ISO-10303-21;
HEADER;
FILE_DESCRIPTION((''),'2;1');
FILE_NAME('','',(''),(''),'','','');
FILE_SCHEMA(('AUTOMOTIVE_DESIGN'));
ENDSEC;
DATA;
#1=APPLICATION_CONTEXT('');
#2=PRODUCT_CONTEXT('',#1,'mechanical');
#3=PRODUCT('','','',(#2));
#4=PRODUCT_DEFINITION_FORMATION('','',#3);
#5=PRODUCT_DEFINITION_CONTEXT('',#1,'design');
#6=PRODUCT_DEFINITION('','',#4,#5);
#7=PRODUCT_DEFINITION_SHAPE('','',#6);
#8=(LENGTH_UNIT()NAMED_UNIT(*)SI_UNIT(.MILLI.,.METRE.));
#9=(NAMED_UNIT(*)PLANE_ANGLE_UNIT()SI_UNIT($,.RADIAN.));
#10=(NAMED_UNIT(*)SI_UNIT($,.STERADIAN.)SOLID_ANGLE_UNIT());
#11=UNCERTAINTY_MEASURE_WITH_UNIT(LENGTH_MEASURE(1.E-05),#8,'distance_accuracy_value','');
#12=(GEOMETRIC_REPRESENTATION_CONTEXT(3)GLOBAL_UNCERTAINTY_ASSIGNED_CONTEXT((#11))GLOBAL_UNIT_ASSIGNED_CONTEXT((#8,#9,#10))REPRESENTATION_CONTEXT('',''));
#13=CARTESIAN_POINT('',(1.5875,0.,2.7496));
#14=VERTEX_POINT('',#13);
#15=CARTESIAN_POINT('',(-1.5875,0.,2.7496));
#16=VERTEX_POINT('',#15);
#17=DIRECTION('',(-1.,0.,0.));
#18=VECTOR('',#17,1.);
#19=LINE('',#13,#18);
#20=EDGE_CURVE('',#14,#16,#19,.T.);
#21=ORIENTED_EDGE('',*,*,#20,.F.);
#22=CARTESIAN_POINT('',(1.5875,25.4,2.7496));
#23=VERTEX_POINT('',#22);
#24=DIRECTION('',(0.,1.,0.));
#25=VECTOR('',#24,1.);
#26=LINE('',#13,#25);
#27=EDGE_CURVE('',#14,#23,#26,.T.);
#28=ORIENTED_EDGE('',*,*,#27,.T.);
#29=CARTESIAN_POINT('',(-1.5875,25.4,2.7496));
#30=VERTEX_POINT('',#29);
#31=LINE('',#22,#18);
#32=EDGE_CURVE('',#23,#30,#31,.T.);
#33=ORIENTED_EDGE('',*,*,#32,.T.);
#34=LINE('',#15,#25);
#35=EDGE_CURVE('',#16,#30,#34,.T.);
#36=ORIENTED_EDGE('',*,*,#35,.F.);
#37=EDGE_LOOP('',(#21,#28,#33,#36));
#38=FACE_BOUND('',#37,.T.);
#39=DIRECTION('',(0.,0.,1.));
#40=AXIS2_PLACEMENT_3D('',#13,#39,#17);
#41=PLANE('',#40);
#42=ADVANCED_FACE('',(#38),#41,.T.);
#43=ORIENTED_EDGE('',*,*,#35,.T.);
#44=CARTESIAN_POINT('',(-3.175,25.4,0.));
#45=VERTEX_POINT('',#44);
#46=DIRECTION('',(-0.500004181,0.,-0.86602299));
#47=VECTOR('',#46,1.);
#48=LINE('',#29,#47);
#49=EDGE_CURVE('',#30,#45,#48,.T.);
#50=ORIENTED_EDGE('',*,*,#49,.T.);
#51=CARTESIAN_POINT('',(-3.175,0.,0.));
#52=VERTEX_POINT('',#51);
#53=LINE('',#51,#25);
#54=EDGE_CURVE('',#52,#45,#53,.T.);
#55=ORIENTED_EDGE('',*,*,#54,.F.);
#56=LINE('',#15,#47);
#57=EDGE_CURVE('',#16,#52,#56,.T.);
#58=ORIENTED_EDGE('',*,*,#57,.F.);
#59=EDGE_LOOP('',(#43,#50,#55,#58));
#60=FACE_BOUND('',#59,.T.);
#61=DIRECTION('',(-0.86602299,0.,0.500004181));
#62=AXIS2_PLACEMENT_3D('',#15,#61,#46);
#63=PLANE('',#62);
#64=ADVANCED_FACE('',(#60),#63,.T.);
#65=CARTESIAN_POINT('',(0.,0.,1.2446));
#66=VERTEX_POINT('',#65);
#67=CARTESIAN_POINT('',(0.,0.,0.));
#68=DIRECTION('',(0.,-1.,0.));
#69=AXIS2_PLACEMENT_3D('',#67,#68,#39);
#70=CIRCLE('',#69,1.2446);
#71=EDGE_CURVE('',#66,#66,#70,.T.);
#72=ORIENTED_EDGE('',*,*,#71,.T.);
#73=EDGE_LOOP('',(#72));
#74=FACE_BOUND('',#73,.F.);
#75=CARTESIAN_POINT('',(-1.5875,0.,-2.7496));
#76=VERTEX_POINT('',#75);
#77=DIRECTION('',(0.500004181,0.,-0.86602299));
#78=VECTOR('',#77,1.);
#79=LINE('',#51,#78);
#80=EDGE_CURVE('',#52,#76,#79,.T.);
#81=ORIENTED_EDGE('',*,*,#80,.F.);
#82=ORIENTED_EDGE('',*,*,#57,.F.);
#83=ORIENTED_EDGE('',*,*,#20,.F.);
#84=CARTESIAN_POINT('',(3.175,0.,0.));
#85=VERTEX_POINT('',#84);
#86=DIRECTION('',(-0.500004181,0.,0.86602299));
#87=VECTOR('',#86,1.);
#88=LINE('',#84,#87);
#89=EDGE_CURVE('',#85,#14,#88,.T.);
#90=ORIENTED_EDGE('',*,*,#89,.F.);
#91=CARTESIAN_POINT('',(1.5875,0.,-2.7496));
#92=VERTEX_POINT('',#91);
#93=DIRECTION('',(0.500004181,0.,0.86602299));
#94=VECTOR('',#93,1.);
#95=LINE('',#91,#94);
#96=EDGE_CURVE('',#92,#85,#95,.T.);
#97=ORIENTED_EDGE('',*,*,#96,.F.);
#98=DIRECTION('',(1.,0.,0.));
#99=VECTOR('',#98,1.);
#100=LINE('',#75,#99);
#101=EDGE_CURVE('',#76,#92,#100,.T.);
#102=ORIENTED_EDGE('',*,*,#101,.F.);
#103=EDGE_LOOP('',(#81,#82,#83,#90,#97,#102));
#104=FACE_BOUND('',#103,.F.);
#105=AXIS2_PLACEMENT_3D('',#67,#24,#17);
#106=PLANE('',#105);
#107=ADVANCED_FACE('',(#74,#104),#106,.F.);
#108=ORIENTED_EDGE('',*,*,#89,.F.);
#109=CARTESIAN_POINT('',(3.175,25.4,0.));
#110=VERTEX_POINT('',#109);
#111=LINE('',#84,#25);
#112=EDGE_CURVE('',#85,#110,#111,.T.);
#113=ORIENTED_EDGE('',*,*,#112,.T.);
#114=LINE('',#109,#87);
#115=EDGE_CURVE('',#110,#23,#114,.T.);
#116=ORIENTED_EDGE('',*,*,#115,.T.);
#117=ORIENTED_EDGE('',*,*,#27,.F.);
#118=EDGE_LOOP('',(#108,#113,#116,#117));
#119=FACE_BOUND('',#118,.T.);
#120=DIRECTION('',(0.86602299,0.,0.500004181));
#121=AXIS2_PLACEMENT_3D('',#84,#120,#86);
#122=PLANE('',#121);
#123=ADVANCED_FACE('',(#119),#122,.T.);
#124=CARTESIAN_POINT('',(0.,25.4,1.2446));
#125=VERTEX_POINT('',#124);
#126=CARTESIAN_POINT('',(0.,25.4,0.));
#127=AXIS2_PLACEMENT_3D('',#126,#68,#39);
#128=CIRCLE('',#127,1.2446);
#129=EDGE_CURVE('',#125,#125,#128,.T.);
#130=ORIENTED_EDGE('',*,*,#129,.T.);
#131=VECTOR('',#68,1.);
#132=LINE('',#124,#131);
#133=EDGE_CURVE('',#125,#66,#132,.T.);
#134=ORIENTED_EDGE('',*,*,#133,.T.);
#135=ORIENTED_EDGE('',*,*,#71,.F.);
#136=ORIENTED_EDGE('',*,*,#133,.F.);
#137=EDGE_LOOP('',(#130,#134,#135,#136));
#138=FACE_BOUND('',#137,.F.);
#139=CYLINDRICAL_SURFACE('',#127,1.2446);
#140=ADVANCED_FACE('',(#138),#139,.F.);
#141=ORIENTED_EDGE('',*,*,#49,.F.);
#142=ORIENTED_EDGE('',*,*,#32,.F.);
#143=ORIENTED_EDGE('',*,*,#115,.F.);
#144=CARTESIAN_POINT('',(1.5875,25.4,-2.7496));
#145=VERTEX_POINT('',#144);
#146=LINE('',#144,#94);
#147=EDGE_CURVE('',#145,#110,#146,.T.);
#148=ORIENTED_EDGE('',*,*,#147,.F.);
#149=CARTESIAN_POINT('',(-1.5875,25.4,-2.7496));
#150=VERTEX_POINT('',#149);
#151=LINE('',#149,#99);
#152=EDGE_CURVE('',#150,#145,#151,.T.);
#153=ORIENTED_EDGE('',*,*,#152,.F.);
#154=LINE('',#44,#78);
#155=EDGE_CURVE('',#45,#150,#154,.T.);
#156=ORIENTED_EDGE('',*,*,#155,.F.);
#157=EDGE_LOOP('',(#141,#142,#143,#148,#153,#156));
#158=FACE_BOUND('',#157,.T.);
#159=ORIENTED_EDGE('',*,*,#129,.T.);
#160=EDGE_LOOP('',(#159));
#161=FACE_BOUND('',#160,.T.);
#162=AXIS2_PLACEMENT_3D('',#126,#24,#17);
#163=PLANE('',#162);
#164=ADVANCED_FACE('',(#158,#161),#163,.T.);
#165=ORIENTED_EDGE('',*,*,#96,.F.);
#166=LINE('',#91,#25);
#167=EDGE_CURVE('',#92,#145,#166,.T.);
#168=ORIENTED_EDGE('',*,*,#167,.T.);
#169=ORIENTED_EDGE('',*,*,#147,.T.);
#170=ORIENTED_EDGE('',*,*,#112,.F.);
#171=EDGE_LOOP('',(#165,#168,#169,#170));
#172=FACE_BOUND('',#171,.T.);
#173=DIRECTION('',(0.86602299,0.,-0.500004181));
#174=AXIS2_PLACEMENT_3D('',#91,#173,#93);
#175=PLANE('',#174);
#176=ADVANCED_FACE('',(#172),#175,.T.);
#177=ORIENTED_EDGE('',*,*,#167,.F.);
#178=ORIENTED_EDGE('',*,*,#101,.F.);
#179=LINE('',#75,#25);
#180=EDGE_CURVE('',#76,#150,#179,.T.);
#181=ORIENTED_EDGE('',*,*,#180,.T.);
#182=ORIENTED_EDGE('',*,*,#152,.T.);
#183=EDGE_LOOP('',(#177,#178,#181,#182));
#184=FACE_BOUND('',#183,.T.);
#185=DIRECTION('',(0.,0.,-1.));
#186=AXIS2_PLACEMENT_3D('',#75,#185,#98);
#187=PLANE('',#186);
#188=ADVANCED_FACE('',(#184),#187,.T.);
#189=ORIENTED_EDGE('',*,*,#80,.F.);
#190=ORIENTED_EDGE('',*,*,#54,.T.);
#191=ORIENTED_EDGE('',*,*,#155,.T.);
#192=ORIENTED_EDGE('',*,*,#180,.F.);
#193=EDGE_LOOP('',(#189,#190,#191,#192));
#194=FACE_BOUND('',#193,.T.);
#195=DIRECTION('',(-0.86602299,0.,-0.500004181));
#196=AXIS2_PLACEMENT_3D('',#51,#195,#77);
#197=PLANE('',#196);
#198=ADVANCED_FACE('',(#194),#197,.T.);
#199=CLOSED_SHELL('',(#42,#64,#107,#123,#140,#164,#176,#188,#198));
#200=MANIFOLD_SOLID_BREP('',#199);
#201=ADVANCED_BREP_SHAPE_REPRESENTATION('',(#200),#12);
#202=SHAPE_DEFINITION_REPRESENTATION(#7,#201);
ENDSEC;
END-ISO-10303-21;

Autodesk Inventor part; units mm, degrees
ref_plane "YZ Plane" through (0, 0, 0) normal (1, 0, 0) x (0, 1, 0)
ref_plane "XZ Plane" through (0, 0, 0) normal (0, 1, 0) x (-1, 0, 0)
ref_plane "XY Plane" through (0, 0, 0) normal (0, 0, 1) x (1, 0, 0)
sketch "Sketch2" plane through (0, 0, 0) normal (0, 1, 0) x (-1, 0, 0)
  line L0 (3.175, 0) -> (1.5875, -2.7496)
  line L1 (1.5875, -2.7496) -> (-1.5875, -2.7496)
  line L2 (-1.5875, -2.7496) -> (-3.175, 0)
  line L3 (-3.175, 0) -> (-1.5875, 2.7496)
  line L4 (-1.5875, 2.7496) -> (1.5875, 2.7496)
  line L5 (1.5875, 2.7496) -> (3.175, 0)
  point P0 (0, 0)
  point P1 (0, 0)
  dimension "d0" = 6.35
  dimension "d1" = 2.7496
extrude "Extrusion1" add sketch "Sketch2" along normal blind 25.4
sketch "Sketch3" plane through (0, 25.4, 0) normal (0, 1, 0) x (1, 0, 0)
  line L0 (-1.5875, 2.7496) -> (-3.175, 0) projected
  line L1 (-3.175, 0) -> (-1.5875, -2.7496) projected
  line L2 (-1.5875, -2.7496) -> (1.5875, -2.7496) projected
  line L3 (1.5875, -2.7496) -> (3.175, 0) projected
  line L4 (3.175, 0) -> (1.5875, 2.7496) projected
  line L5 (1.5875, 2.7496) -> (-1.5875, 2.7496) projected
  point P0 (0, 0)
hole "Hole1" at (0, 25.4, 0) direction (0, -1, 0) diameter 2.4892 end through all
properties part number "000202"
